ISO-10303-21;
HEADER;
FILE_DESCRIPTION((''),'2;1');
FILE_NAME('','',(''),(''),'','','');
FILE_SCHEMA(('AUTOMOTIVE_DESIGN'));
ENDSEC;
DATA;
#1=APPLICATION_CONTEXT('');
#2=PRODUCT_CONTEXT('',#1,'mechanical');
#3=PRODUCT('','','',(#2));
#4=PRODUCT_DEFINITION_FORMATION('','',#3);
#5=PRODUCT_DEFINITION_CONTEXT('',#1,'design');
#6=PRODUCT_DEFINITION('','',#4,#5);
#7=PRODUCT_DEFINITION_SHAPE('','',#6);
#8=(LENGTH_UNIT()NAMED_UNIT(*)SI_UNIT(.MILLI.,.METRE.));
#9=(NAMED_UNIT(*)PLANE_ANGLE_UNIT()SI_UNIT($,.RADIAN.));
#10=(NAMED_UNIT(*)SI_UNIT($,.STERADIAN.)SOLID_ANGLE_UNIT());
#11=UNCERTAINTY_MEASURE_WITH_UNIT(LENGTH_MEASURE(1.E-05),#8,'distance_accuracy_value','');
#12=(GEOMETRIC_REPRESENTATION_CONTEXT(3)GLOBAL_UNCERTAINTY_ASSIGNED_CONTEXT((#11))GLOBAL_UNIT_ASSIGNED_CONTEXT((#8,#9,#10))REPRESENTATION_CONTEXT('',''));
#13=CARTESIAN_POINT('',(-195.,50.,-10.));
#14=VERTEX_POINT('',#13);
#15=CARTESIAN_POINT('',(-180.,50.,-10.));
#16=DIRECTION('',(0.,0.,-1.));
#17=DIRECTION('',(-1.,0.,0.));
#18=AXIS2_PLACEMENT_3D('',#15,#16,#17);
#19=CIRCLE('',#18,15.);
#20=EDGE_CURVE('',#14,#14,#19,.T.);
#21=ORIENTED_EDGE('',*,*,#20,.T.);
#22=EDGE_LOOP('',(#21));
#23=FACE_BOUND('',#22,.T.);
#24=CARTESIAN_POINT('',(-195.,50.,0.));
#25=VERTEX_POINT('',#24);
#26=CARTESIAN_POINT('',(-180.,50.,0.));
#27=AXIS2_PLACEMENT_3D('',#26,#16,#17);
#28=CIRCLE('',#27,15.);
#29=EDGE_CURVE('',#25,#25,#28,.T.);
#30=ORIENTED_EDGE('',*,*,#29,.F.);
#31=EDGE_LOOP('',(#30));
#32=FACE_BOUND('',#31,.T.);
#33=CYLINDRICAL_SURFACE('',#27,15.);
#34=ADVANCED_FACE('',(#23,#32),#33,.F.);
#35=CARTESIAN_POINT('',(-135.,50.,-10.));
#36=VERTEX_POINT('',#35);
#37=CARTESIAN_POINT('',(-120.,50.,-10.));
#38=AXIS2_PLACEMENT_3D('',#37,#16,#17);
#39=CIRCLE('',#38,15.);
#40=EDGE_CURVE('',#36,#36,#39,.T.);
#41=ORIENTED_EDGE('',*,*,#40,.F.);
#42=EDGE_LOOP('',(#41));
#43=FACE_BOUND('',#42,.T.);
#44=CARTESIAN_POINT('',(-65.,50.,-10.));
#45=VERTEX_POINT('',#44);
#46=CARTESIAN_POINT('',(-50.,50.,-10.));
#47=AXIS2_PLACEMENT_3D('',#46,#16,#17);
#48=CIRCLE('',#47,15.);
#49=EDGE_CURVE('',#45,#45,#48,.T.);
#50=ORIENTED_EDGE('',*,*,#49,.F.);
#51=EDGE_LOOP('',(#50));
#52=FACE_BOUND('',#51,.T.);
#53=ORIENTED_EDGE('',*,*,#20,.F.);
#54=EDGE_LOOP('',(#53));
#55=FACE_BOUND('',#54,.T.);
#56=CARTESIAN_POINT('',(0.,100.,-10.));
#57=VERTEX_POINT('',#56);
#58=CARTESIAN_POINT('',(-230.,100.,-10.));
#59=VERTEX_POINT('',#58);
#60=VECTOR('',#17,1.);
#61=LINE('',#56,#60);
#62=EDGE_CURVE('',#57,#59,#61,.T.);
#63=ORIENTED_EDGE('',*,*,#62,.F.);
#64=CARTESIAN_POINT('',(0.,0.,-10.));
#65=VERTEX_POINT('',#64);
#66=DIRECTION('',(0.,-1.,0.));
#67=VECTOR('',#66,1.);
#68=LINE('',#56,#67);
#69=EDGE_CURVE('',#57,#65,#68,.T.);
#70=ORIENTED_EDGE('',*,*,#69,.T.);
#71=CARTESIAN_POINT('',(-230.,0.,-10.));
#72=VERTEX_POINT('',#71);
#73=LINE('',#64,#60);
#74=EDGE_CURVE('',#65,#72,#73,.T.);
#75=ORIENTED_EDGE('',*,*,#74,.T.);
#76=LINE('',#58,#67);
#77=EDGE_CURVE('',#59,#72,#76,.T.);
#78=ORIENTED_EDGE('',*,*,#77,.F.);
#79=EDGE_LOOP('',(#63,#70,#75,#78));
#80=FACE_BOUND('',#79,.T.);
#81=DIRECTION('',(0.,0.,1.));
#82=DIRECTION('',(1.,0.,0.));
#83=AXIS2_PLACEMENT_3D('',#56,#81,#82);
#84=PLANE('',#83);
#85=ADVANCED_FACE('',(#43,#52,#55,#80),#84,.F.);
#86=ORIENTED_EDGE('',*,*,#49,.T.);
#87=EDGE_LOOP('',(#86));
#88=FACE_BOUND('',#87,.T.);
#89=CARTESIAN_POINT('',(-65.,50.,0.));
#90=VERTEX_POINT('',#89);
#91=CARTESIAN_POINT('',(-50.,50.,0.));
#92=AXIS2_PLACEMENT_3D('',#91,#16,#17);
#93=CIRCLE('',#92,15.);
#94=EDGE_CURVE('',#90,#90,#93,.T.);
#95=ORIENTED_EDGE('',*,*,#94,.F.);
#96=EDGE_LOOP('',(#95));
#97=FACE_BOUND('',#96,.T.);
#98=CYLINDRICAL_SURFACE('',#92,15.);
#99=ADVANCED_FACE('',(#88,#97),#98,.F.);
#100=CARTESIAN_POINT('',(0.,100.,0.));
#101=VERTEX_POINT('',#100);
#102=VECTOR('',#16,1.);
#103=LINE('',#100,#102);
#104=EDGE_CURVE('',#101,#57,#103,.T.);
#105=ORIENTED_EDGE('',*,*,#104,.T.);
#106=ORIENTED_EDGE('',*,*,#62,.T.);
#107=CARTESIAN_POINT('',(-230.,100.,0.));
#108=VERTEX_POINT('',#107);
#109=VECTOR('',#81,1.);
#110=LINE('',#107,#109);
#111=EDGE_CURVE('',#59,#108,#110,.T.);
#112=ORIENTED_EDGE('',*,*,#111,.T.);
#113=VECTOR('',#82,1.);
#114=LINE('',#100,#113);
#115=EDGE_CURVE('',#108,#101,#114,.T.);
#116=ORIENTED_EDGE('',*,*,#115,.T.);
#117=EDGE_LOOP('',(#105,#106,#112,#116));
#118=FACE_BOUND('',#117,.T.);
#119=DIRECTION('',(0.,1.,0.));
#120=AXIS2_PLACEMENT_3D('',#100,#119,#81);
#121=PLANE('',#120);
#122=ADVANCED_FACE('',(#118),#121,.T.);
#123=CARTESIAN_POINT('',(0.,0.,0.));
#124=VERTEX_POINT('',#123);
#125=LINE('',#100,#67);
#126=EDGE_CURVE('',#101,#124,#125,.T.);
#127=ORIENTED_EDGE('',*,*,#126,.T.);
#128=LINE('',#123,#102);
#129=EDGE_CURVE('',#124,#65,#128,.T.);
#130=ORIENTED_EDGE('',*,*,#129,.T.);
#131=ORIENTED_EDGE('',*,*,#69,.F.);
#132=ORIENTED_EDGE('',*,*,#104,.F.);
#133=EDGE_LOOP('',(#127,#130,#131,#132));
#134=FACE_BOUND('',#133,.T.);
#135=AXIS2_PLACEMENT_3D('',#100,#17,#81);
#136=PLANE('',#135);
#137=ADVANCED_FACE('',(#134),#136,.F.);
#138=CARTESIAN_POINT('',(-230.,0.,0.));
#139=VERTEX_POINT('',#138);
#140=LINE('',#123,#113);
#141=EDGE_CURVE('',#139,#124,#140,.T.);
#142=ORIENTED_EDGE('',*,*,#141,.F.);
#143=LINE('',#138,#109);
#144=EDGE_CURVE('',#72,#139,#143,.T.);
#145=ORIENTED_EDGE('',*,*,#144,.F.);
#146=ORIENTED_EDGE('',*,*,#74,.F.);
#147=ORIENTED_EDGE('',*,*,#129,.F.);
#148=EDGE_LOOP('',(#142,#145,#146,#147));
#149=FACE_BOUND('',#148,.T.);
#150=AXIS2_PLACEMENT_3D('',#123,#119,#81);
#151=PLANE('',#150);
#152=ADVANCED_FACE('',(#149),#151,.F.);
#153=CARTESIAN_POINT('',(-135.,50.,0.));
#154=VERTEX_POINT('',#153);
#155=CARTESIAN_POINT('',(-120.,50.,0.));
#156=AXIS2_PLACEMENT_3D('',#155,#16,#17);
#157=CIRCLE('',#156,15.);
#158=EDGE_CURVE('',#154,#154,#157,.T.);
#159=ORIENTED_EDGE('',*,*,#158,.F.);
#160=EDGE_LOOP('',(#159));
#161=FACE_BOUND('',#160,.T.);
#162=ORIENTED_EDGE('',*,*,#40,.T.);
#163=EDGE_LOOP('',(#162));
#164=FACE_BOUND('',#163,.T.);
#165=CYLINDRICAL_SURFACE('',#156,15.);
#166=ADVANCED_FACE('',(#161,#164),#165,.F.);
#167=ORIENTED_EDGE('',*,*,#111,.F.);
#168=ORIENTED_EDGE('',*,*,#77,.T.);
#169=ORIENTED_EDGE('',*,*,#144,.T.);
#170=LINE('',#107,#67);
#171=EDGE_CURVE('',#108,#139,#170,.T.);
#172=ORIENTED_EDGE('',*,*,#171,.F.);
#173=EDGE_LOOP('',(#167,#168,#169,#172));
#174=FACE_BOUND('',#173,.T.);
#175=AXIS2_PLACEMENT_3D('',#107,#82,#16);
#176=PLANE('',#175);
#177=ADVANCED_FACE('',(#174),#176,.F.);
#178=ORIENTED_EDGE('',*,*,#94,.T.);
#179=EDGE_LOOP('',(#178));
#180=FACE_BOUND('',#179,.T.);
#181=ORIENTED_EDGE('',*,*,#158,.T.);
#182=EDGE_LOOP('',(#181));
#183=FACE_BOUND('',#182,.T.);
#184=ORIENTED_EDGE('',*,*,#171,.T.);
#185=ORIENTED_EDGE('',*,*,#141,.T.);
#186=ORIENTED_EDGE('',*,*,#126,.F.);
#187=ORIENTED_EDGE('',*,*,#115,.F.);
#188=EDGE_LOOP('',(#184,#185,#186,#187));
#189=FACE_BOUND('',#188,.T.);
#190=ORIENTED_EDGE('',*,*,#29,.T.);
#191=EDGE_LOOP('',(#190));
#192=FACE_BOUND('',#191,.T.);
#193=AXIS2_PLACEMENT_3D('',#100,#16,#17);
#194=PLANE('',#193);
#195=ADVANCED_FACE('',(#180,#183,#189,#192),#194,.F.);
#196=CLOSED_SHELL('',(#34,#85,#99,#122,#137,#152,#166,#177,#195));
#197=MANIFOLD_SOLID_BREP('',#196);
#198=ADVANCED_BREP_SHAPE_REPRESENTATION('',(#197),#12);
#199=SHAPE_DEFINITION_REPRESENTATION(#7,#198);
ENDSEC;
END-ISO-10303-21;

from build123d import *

# Parameters (mm, degrees)
SKETCH1_W           = 230
SKETCH1_H           = 10
BOSS_EXTRUDE1_DEPTH = 100
SKETCH2_R           = 15
CUT_EXTRUDE1_DEPTH  = 10


with BuildPart() as part:
    # Sketch1 → Boss-Extrude1 (new body)
    with BuildSketch(Plane(origin=(0, 0, 0), x_dir=(1, 0, 0), z_dir=(0, 1, 0))):
        with Locations((-115, 5)):
            Rectangle(SKETCH1_W, SKETCH1_H)
    extrude(amount=BOSS_EXTRUDE1_DEPTH)

    # Sketch2 → Cut-Extrude1 (cut)
    with BuildSketch(Plane(origin=(0, 0, -10), x_dir=(-1, 0, 0), z_dir=(0, 0, -1))):
        with Locations((50, 50)):
            Circle(SKETCH2_R)
        with Locations((180, 50)):
            Circle(SKETCH2_R)
        with Locations((120, 50)):
            Circle(SKETCH2_R)
    extrude(amount=-CUT_EXTRUDE1_DEPTH, mode=Mode.SUBTRACT)


solid = part.part
